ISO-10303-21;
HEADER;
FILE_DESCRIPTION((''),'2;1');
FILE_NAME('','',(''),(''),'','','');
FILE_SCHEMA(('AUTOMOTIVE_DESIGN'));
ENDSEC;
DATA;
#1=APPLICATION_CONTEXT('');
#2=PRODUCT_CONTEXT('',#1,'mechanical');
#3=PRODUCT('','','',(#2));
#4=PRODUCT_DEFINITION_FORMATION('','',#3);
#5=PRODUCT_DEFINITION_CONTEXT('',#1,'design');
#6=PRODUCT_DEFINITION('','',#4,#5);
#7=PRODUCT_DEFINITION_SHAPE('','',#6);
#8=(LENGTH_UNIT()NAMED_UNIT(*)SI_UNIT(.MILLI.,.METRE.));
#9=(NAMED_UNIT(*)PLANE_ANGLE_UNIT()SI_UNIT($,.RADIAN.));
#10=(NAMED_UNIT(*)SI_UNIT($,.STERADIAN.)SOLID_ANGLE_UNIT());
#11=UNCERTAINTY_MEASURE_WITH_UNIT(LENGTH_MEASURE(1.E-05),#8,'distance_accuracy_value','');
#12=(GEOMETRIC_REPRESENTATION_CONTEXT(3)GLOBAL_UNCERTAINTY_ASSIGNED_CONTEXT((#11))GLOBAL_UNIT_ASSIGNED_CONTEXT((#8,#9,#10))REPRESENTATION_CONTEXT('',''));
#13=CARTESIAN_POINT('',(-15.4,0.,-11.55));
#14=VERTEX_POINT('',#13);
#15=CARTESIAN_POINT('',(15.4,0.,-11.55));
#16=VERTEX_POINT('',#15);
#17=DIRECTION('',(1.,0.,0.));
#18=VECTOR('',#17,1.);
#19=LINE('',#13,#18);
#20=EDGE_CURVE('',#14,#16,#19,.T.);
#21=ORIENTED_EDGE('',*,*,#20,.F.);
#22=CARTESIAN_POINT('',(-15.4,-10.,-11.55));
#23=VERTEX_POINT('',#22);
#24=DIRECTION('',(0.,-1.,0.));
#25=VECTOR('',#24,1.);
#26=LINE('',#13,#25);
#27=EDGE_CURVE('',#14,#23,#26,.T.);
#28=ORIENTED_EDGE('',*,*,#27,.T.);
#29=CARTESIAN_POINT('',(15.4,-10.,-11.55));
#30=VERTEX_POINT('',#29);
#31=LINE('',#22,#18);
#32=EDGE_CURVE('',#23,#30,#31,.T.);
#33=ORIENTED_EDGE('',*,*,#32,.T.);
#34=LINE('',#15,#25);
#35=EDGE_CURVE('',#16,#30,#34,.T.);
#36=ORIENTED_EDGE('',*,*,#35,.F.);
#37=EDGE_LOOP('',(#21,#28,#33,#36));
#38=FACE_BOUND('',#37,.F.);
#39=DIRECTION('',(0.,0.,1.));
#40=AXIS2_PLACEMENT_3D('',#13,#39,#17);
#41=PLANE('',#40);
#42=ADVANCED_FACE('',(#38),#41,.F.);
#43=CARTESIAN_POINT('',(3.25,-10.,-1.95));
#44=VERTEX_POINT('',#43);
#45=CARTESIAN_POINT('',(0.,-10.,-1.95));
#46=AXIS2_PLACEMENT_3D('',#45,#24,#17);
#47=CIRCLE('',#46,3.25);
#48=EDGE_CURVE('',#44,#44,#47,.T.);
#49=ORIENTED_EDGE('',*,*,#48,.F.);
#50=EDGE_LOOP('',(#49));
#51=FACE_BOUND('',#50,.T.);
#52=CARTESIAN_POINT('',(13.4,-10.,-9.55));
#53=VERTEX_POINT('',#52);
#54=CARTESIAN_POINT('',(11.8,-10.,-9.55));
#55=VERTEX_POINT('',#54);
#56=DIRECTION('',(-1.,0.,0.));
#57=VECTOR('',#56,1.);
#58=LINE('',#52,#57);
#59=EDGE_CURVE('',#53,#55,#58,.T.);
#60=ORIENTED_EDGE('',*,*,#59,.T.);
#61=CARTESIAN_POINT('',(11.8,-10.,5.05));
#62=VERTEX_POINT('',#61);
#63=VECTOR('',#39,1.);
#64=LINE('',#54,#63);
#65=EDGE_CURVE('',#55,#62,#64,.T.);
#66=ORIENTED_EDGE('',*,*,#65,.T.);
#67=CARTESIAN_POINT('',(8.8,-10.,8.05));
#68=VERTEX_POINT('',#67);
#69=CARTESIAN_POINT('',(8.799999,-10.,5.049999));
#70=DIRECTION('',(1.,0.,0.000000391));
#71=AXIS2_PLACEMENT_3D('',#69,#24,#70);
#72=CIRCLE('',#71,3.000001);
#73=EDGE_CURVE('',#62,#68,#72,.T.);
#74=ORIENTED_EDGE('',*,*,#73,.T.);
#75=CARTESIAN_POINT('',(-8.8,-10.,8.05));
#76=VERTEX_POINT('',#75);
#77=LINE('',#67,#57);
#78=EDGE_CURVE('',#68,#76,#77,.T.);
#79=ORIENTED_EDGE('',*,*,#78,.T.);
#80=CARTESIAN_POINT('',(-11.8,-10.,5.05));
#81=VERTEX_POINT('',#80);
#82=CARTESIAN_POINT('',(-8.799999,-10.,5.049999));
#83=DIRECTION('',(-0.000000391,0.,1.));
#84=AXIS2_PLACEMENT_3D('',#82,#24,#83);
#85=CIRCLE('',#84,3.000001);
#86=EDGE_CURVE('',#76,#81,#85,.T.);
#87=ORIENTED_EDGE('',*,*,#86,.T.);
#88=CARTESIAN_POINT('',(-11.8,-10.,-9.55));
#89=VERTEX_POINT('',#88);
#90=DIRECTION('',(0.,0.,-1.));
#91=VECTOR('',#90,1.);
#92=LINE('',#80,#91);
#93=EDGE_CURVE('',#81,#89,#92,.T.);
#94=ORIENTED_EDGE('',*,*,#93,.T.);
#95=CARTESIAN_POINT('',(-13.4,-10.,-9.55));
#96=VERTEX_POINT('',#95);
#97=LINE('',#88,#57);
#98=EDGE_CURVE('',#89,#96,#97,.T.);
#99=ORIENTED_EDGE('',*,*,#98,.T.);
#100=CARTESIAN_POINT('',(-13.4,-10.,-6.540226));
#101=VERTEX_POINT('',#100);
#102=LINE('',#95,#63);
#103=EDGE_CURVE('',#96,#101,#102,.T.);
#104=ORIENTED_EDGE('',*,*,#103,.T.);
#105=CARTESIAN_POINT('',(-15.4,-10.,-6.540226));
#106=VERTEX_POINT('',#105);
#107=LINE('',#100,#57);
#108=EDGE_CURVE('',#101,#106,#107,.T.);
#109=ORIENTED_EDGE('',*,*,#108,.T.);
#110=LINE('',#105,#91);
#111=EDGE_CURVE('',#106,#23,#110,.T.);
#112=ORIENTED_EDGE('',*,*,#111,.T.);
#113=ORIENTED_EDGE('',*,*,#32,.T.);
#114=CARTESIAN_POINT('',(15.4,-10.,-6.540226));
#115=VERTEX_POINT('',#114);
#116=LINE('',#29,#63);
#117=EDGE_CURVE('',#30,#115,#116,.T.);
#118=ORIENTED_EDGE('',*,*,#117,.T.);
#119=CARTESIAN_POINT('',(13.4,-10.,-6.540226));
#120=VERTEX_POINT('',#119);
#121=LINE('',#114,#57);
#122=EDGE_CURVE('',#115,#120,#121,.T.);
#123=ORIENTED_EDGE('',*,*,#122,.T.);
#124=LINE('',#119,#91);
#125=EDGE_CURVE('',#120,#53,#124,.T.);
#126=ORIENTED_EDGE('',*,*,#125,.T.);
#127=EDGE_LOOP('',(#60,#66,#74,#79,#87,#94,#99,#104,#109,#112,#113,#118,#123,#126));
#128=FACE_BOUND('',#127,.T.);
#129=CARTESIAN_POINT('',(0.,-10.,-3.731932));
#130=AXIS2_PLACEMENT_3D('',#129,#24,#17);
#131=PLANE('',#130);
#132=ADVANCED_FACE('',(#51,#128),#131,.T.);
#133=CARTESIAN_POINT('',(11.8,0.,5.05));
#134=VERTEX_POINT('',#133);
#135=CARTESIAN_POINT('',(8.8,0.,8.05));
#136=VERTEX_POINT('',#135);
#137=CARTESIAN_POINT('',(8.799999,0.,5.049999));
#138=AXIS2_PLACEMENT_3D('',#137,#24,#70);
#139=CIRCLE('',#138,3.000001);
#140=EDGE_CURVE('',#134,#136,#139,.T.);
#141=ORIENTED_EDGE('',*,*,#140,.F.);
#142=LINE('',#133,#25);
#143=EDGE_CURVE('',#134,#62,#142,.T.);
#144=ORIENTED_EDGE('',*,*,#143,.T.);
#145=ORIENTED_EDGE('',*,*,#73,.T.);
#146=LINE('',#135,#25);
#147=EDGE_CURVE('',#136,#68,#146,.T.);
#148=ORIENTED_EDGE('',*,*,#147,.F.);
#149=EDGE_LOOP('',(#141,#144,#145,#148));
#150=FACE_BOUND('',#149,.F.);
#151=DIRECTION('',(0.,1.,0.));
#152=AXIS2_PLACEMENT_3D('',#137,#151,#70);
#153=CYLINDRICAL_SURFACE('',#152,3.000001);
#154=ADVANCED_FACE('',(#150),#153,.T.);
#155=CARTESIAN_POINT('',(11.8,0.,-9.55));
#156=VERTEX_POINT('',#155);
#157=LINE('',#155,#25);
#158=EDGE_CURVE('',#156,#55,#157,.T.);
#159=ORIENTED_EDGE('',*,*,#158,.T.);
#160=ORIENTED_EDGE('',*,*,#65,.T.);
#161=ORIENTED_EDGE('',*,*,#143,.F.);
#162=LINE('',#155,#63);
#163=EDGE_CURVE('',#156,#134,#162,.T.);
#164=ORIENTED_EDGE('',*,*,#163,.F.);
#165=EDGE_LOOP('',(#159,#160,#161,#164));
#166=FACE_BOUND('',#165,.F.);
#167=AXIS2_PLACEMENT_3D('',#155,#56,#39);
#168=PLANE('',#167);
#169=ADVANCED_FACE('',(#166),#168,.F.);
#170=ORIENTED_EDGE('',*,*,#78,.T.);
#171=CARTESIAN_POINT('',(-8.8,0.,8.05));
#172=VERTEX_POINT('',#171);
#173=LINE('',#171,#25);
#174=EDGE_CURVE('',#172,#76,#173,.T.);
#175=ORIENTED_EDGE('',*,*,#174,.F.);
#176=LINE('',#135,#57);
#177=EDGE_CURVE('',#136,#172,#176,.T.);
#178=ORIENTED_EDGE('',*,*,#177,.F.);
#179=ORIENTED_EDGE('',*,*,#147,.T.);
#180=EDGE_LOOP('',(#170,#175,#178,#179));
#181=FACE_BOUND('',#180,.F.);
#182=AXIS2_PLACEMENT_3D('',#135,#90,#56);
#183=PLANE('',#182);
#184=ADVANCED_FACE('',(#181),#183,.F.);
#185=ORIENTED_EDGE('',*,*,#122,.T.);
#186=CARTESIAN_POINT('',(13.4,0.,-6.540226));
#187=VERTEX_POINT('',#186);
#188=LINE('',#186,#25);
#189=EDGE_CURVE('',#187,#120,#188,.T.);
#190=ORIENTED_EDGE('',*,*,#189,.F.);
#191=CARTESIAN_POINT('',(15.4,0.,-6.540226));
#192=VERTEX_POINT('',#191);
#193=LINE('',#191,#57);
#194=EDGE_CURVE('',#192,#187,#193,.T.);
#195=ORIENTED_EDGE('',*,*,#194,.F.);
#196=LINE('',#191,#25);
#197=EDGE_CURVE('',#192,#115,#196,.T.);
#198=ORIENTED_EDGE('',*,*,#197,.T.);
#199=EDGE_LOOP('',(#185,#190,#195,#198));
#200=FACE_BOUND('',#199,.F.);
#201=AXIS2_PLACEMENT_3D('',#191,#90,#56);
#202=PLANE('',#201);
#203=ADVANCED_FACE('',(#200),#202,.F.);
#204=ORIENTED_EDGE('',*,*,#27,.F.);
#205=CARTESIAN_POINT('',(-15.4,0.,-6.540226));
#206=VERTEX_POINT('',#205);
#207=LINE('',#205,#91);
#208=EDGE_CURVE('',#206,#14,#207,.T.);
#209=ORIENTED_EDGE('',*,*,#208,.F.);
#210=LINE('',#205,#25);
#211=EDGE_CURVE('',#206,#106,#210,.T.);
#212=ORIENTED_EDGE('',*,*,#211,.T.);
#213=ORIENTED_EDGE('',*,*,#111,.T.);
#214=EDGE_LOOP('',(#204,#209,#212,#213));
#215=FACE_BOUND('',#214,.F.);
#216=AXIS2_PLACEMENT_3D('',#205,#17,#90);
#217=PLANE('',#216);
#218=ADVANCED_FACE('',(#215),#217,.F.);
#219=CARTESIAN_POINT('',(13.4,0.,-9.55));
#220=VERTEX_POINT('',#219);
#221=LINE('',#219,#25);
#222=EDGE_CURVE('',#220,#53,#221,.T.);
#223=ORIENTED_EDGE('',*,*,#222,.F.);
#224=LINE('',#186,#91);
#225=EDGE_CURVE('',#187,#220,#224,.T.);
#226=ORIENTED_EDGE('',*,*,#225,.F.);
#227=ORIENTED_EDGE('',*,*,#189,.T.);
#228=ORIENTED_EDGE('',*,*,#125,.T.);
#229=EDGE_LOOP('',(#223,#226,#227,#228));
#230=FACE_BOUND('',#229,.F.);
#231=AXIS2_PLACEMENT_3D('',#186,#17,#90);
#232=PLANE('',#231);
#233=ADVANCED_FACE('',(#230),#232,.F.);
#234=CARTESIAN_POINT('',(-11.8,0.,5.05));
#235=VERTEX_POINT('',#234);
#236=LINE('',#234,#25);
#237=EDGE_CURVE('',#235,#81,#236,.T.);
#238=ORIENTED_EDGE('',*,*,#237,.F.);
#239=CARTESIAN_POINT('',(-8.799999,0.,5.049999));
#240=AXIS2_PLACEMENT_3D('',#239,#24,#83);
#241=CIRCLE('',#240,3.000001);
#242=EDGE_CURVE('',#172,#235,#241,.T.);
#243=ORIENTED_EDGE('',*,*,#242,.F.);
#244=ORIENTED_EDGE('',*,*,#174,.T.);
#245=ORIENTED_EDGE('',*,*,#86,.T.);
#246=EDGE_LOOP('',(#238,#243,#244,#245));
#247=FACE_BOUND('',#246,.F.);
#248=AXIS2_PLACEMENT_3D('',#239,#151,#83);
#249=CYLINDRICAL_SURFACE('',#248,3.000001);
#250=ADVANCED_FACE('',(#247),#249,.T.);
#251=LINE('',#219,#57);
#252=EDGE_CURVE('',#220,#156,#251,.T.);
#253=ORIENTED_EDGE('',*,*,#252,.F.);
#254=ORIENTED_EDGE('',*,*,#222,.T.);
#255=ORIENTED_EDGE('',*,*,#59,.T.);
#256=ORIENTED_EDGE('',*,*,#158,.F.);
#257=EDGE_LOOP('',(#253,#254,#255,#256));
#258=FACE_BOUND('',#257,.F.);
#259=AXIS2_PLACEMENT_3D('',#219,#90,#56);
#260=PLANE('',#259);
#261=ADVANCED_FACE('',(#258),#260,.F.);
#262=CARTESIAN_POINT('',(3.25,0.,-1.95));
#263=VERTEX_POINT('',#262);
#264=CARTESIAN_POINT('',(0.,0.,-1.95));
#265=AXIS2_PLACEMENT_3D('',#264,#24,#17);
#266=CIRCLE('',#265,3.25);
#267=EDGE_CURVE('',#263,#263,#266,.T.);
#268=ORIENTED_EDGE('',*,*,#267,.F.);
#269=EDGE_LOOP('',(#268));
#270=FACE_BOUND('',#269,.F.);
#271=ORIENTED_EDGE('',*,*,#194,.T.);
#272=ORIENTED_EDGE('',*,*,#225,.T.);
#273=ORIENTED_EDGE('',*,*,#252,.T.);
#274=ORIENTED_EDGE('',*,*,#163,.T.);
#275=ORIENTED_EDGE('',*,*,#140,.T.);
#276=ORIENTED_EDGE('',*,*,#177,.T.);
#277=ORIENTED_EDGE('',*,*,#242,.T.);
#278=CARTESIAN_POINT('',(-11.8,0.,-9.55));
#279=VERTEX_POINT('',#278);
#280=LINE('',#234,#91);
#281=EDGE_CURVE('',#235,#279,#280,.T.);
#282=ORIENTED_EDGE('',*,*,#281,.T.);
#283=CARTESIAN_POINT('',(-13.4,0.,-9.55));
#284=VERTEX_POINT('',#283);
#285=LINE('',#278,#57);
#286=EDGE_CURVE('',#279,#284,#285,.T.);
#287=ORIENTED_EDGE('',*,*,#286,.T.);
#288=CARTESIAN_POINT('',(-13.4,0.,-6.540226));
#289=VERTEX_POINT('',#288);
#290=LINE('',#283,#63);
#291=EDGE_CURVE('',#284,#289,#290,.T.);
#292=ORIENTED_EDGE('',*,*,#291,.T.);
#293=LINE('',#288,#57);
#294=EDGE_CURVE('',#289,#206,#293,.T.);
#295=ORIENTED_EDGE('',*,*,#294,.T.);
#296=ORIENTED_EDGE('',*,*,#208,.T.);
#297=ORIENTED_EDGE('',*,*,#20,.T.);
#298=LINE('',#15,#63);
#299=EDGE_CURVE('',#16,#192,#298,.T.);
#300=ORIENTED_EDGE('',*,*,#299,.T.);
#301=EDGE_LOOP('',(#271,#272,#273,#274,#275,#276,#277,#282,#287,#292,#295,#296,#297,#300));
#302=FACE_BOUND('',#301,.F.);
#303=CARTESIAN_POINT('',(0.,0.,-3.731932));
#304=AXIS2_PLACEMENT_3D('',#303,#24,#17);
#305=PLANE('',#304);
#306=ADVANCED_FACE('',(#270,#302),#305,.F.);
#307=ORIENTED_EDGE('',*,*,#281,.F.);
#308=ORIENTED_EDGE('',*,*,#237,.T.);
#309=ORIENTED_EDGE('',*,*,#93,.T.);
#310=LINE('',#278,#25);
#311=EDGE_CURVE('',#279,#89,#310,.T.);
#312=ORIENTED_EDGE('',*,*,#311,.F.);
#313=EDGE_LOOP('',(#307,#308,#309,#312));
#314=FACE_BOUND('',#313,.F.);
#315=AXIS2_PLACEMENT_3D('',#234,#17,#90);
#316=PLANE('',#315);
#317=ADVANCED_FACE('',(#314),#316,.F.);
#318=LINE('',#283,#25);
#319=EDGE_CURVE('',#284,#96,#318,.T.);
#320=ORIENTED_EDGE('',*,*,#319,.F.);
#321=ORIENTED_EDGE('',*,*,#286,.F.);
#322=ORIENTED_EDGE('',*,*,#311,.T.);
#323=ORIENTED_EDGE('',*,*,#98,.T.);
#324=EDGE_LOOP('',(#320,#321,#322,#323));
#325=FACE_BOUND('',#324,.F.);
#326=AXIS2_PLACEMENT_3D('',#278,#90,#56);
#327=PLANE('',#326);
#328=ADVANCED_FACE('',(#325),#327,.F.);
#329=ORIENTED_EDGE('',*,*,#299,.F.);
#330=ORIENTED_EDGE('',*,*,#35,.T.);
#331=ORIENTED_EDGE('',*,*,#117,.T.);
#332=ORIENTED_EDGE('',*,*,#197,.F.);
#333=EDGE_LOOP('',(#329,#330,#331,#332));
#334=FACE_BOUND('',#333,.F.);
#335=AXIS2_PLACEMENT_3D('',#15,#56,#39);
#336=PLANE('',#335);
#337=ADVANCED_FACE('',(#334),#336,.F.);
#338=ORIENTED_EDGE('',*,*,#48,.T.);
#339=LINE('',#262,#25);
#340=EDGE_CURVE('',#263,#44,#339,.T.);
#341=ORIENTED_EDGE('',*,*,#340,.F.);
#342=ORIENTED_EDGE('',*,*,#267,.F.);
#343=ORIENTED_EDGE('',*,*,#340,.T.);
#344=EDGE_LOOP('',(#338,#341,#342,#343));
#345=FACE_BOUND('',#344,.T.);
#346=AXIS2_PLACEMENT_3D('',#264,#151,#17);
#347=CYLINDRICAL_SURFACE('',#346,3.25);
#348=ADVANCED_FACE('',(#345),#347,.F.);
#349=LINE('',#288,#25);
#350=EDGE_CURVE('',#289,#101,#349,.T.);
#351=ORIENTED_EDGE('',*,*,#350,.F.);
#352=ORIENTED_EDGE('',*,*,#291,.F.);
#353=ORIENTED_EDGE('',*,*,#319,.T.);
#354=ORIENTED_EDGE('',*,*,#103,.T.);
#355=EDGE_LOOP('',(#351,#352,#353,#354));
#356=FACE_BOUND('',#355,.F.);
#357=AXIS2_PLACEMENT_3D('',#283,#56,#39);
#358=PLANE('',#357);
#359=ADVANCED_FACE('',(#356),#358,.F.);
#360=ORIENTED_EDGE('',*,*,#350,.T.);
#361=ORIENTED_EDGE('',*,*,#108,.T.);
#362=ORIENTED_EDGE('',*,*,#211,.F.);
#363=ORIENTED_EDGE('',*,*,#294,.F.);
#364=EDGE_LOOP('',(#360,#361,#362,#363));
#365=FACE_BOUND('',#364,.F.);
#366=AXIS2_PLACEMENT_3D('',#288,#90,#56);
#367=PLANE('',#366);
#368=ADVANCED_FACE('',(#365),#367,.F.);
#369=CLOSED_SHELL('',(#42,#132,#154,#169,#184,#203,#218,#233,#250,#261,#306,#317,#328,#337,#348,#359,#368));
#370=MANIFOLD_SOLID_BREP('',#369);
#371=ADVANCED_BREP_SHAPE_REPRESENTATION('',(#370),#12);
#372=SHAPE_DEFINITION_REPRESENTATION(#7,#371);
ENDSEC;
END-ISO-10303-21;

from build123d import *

# Parameters (mm, degrees)
F0_R     = 3.25
F1_DEPTH = 10


with BuildPart() as f1:
    # F0 (on Front) → F1 (new body)
    with BuildSketch(Plane.XZ):
        with BuildLine():
            Line((-13.4, -9.5), (-13.4, -6.540226))
            Line((-13.4, -6.540226), (-15.4, -6.540226))
            Line((-15.4, -6.540226), (-15.4, -11.55))
            Line((-15.4, -11.55), (15.4, -11.55))
            Line((15.4, -11.55), (15.4, -6.540226))
            Line((15.4, -6.540226), (13.4, -6.540226))
            Line((13.4, -6.540226), (13.4, -9.5))
            Line((13.4, -9.5), (13.4, -9.55))
            Line((13.4, -9.55), (11.8, -9.55))
            Line((11.8, -9.55), (11.8, -9.5))
            Line((11.8, -9.5), (11.8, 5.05))
            ThreePointArc((11.8, 5.05), (10.92132, 7.17132), (8.8, 8.05))
            Line((8.8, 8.05), (-8.8, 8.05))
            ThreePointArc((-8.8, 8.05), (-10.92132, 7.17132), (-11.8, 5.05))
            Line((-11.8, 5.05), (-11.8, -9.5))
            Line((-11.8, -9.5), (-11.8, -9.55))
            Line((-11.8, -9.55), (-13.4, -9.55))
            Line((-13.4, -9.55), (-13.4, -9.5))
        make_face()
        with Locations((0, -1.95)):
            Circle(F0_R, mode=Mode.SUBTRACT)
    extrude(amount=F1_DEPTH)


solid = f1.part
